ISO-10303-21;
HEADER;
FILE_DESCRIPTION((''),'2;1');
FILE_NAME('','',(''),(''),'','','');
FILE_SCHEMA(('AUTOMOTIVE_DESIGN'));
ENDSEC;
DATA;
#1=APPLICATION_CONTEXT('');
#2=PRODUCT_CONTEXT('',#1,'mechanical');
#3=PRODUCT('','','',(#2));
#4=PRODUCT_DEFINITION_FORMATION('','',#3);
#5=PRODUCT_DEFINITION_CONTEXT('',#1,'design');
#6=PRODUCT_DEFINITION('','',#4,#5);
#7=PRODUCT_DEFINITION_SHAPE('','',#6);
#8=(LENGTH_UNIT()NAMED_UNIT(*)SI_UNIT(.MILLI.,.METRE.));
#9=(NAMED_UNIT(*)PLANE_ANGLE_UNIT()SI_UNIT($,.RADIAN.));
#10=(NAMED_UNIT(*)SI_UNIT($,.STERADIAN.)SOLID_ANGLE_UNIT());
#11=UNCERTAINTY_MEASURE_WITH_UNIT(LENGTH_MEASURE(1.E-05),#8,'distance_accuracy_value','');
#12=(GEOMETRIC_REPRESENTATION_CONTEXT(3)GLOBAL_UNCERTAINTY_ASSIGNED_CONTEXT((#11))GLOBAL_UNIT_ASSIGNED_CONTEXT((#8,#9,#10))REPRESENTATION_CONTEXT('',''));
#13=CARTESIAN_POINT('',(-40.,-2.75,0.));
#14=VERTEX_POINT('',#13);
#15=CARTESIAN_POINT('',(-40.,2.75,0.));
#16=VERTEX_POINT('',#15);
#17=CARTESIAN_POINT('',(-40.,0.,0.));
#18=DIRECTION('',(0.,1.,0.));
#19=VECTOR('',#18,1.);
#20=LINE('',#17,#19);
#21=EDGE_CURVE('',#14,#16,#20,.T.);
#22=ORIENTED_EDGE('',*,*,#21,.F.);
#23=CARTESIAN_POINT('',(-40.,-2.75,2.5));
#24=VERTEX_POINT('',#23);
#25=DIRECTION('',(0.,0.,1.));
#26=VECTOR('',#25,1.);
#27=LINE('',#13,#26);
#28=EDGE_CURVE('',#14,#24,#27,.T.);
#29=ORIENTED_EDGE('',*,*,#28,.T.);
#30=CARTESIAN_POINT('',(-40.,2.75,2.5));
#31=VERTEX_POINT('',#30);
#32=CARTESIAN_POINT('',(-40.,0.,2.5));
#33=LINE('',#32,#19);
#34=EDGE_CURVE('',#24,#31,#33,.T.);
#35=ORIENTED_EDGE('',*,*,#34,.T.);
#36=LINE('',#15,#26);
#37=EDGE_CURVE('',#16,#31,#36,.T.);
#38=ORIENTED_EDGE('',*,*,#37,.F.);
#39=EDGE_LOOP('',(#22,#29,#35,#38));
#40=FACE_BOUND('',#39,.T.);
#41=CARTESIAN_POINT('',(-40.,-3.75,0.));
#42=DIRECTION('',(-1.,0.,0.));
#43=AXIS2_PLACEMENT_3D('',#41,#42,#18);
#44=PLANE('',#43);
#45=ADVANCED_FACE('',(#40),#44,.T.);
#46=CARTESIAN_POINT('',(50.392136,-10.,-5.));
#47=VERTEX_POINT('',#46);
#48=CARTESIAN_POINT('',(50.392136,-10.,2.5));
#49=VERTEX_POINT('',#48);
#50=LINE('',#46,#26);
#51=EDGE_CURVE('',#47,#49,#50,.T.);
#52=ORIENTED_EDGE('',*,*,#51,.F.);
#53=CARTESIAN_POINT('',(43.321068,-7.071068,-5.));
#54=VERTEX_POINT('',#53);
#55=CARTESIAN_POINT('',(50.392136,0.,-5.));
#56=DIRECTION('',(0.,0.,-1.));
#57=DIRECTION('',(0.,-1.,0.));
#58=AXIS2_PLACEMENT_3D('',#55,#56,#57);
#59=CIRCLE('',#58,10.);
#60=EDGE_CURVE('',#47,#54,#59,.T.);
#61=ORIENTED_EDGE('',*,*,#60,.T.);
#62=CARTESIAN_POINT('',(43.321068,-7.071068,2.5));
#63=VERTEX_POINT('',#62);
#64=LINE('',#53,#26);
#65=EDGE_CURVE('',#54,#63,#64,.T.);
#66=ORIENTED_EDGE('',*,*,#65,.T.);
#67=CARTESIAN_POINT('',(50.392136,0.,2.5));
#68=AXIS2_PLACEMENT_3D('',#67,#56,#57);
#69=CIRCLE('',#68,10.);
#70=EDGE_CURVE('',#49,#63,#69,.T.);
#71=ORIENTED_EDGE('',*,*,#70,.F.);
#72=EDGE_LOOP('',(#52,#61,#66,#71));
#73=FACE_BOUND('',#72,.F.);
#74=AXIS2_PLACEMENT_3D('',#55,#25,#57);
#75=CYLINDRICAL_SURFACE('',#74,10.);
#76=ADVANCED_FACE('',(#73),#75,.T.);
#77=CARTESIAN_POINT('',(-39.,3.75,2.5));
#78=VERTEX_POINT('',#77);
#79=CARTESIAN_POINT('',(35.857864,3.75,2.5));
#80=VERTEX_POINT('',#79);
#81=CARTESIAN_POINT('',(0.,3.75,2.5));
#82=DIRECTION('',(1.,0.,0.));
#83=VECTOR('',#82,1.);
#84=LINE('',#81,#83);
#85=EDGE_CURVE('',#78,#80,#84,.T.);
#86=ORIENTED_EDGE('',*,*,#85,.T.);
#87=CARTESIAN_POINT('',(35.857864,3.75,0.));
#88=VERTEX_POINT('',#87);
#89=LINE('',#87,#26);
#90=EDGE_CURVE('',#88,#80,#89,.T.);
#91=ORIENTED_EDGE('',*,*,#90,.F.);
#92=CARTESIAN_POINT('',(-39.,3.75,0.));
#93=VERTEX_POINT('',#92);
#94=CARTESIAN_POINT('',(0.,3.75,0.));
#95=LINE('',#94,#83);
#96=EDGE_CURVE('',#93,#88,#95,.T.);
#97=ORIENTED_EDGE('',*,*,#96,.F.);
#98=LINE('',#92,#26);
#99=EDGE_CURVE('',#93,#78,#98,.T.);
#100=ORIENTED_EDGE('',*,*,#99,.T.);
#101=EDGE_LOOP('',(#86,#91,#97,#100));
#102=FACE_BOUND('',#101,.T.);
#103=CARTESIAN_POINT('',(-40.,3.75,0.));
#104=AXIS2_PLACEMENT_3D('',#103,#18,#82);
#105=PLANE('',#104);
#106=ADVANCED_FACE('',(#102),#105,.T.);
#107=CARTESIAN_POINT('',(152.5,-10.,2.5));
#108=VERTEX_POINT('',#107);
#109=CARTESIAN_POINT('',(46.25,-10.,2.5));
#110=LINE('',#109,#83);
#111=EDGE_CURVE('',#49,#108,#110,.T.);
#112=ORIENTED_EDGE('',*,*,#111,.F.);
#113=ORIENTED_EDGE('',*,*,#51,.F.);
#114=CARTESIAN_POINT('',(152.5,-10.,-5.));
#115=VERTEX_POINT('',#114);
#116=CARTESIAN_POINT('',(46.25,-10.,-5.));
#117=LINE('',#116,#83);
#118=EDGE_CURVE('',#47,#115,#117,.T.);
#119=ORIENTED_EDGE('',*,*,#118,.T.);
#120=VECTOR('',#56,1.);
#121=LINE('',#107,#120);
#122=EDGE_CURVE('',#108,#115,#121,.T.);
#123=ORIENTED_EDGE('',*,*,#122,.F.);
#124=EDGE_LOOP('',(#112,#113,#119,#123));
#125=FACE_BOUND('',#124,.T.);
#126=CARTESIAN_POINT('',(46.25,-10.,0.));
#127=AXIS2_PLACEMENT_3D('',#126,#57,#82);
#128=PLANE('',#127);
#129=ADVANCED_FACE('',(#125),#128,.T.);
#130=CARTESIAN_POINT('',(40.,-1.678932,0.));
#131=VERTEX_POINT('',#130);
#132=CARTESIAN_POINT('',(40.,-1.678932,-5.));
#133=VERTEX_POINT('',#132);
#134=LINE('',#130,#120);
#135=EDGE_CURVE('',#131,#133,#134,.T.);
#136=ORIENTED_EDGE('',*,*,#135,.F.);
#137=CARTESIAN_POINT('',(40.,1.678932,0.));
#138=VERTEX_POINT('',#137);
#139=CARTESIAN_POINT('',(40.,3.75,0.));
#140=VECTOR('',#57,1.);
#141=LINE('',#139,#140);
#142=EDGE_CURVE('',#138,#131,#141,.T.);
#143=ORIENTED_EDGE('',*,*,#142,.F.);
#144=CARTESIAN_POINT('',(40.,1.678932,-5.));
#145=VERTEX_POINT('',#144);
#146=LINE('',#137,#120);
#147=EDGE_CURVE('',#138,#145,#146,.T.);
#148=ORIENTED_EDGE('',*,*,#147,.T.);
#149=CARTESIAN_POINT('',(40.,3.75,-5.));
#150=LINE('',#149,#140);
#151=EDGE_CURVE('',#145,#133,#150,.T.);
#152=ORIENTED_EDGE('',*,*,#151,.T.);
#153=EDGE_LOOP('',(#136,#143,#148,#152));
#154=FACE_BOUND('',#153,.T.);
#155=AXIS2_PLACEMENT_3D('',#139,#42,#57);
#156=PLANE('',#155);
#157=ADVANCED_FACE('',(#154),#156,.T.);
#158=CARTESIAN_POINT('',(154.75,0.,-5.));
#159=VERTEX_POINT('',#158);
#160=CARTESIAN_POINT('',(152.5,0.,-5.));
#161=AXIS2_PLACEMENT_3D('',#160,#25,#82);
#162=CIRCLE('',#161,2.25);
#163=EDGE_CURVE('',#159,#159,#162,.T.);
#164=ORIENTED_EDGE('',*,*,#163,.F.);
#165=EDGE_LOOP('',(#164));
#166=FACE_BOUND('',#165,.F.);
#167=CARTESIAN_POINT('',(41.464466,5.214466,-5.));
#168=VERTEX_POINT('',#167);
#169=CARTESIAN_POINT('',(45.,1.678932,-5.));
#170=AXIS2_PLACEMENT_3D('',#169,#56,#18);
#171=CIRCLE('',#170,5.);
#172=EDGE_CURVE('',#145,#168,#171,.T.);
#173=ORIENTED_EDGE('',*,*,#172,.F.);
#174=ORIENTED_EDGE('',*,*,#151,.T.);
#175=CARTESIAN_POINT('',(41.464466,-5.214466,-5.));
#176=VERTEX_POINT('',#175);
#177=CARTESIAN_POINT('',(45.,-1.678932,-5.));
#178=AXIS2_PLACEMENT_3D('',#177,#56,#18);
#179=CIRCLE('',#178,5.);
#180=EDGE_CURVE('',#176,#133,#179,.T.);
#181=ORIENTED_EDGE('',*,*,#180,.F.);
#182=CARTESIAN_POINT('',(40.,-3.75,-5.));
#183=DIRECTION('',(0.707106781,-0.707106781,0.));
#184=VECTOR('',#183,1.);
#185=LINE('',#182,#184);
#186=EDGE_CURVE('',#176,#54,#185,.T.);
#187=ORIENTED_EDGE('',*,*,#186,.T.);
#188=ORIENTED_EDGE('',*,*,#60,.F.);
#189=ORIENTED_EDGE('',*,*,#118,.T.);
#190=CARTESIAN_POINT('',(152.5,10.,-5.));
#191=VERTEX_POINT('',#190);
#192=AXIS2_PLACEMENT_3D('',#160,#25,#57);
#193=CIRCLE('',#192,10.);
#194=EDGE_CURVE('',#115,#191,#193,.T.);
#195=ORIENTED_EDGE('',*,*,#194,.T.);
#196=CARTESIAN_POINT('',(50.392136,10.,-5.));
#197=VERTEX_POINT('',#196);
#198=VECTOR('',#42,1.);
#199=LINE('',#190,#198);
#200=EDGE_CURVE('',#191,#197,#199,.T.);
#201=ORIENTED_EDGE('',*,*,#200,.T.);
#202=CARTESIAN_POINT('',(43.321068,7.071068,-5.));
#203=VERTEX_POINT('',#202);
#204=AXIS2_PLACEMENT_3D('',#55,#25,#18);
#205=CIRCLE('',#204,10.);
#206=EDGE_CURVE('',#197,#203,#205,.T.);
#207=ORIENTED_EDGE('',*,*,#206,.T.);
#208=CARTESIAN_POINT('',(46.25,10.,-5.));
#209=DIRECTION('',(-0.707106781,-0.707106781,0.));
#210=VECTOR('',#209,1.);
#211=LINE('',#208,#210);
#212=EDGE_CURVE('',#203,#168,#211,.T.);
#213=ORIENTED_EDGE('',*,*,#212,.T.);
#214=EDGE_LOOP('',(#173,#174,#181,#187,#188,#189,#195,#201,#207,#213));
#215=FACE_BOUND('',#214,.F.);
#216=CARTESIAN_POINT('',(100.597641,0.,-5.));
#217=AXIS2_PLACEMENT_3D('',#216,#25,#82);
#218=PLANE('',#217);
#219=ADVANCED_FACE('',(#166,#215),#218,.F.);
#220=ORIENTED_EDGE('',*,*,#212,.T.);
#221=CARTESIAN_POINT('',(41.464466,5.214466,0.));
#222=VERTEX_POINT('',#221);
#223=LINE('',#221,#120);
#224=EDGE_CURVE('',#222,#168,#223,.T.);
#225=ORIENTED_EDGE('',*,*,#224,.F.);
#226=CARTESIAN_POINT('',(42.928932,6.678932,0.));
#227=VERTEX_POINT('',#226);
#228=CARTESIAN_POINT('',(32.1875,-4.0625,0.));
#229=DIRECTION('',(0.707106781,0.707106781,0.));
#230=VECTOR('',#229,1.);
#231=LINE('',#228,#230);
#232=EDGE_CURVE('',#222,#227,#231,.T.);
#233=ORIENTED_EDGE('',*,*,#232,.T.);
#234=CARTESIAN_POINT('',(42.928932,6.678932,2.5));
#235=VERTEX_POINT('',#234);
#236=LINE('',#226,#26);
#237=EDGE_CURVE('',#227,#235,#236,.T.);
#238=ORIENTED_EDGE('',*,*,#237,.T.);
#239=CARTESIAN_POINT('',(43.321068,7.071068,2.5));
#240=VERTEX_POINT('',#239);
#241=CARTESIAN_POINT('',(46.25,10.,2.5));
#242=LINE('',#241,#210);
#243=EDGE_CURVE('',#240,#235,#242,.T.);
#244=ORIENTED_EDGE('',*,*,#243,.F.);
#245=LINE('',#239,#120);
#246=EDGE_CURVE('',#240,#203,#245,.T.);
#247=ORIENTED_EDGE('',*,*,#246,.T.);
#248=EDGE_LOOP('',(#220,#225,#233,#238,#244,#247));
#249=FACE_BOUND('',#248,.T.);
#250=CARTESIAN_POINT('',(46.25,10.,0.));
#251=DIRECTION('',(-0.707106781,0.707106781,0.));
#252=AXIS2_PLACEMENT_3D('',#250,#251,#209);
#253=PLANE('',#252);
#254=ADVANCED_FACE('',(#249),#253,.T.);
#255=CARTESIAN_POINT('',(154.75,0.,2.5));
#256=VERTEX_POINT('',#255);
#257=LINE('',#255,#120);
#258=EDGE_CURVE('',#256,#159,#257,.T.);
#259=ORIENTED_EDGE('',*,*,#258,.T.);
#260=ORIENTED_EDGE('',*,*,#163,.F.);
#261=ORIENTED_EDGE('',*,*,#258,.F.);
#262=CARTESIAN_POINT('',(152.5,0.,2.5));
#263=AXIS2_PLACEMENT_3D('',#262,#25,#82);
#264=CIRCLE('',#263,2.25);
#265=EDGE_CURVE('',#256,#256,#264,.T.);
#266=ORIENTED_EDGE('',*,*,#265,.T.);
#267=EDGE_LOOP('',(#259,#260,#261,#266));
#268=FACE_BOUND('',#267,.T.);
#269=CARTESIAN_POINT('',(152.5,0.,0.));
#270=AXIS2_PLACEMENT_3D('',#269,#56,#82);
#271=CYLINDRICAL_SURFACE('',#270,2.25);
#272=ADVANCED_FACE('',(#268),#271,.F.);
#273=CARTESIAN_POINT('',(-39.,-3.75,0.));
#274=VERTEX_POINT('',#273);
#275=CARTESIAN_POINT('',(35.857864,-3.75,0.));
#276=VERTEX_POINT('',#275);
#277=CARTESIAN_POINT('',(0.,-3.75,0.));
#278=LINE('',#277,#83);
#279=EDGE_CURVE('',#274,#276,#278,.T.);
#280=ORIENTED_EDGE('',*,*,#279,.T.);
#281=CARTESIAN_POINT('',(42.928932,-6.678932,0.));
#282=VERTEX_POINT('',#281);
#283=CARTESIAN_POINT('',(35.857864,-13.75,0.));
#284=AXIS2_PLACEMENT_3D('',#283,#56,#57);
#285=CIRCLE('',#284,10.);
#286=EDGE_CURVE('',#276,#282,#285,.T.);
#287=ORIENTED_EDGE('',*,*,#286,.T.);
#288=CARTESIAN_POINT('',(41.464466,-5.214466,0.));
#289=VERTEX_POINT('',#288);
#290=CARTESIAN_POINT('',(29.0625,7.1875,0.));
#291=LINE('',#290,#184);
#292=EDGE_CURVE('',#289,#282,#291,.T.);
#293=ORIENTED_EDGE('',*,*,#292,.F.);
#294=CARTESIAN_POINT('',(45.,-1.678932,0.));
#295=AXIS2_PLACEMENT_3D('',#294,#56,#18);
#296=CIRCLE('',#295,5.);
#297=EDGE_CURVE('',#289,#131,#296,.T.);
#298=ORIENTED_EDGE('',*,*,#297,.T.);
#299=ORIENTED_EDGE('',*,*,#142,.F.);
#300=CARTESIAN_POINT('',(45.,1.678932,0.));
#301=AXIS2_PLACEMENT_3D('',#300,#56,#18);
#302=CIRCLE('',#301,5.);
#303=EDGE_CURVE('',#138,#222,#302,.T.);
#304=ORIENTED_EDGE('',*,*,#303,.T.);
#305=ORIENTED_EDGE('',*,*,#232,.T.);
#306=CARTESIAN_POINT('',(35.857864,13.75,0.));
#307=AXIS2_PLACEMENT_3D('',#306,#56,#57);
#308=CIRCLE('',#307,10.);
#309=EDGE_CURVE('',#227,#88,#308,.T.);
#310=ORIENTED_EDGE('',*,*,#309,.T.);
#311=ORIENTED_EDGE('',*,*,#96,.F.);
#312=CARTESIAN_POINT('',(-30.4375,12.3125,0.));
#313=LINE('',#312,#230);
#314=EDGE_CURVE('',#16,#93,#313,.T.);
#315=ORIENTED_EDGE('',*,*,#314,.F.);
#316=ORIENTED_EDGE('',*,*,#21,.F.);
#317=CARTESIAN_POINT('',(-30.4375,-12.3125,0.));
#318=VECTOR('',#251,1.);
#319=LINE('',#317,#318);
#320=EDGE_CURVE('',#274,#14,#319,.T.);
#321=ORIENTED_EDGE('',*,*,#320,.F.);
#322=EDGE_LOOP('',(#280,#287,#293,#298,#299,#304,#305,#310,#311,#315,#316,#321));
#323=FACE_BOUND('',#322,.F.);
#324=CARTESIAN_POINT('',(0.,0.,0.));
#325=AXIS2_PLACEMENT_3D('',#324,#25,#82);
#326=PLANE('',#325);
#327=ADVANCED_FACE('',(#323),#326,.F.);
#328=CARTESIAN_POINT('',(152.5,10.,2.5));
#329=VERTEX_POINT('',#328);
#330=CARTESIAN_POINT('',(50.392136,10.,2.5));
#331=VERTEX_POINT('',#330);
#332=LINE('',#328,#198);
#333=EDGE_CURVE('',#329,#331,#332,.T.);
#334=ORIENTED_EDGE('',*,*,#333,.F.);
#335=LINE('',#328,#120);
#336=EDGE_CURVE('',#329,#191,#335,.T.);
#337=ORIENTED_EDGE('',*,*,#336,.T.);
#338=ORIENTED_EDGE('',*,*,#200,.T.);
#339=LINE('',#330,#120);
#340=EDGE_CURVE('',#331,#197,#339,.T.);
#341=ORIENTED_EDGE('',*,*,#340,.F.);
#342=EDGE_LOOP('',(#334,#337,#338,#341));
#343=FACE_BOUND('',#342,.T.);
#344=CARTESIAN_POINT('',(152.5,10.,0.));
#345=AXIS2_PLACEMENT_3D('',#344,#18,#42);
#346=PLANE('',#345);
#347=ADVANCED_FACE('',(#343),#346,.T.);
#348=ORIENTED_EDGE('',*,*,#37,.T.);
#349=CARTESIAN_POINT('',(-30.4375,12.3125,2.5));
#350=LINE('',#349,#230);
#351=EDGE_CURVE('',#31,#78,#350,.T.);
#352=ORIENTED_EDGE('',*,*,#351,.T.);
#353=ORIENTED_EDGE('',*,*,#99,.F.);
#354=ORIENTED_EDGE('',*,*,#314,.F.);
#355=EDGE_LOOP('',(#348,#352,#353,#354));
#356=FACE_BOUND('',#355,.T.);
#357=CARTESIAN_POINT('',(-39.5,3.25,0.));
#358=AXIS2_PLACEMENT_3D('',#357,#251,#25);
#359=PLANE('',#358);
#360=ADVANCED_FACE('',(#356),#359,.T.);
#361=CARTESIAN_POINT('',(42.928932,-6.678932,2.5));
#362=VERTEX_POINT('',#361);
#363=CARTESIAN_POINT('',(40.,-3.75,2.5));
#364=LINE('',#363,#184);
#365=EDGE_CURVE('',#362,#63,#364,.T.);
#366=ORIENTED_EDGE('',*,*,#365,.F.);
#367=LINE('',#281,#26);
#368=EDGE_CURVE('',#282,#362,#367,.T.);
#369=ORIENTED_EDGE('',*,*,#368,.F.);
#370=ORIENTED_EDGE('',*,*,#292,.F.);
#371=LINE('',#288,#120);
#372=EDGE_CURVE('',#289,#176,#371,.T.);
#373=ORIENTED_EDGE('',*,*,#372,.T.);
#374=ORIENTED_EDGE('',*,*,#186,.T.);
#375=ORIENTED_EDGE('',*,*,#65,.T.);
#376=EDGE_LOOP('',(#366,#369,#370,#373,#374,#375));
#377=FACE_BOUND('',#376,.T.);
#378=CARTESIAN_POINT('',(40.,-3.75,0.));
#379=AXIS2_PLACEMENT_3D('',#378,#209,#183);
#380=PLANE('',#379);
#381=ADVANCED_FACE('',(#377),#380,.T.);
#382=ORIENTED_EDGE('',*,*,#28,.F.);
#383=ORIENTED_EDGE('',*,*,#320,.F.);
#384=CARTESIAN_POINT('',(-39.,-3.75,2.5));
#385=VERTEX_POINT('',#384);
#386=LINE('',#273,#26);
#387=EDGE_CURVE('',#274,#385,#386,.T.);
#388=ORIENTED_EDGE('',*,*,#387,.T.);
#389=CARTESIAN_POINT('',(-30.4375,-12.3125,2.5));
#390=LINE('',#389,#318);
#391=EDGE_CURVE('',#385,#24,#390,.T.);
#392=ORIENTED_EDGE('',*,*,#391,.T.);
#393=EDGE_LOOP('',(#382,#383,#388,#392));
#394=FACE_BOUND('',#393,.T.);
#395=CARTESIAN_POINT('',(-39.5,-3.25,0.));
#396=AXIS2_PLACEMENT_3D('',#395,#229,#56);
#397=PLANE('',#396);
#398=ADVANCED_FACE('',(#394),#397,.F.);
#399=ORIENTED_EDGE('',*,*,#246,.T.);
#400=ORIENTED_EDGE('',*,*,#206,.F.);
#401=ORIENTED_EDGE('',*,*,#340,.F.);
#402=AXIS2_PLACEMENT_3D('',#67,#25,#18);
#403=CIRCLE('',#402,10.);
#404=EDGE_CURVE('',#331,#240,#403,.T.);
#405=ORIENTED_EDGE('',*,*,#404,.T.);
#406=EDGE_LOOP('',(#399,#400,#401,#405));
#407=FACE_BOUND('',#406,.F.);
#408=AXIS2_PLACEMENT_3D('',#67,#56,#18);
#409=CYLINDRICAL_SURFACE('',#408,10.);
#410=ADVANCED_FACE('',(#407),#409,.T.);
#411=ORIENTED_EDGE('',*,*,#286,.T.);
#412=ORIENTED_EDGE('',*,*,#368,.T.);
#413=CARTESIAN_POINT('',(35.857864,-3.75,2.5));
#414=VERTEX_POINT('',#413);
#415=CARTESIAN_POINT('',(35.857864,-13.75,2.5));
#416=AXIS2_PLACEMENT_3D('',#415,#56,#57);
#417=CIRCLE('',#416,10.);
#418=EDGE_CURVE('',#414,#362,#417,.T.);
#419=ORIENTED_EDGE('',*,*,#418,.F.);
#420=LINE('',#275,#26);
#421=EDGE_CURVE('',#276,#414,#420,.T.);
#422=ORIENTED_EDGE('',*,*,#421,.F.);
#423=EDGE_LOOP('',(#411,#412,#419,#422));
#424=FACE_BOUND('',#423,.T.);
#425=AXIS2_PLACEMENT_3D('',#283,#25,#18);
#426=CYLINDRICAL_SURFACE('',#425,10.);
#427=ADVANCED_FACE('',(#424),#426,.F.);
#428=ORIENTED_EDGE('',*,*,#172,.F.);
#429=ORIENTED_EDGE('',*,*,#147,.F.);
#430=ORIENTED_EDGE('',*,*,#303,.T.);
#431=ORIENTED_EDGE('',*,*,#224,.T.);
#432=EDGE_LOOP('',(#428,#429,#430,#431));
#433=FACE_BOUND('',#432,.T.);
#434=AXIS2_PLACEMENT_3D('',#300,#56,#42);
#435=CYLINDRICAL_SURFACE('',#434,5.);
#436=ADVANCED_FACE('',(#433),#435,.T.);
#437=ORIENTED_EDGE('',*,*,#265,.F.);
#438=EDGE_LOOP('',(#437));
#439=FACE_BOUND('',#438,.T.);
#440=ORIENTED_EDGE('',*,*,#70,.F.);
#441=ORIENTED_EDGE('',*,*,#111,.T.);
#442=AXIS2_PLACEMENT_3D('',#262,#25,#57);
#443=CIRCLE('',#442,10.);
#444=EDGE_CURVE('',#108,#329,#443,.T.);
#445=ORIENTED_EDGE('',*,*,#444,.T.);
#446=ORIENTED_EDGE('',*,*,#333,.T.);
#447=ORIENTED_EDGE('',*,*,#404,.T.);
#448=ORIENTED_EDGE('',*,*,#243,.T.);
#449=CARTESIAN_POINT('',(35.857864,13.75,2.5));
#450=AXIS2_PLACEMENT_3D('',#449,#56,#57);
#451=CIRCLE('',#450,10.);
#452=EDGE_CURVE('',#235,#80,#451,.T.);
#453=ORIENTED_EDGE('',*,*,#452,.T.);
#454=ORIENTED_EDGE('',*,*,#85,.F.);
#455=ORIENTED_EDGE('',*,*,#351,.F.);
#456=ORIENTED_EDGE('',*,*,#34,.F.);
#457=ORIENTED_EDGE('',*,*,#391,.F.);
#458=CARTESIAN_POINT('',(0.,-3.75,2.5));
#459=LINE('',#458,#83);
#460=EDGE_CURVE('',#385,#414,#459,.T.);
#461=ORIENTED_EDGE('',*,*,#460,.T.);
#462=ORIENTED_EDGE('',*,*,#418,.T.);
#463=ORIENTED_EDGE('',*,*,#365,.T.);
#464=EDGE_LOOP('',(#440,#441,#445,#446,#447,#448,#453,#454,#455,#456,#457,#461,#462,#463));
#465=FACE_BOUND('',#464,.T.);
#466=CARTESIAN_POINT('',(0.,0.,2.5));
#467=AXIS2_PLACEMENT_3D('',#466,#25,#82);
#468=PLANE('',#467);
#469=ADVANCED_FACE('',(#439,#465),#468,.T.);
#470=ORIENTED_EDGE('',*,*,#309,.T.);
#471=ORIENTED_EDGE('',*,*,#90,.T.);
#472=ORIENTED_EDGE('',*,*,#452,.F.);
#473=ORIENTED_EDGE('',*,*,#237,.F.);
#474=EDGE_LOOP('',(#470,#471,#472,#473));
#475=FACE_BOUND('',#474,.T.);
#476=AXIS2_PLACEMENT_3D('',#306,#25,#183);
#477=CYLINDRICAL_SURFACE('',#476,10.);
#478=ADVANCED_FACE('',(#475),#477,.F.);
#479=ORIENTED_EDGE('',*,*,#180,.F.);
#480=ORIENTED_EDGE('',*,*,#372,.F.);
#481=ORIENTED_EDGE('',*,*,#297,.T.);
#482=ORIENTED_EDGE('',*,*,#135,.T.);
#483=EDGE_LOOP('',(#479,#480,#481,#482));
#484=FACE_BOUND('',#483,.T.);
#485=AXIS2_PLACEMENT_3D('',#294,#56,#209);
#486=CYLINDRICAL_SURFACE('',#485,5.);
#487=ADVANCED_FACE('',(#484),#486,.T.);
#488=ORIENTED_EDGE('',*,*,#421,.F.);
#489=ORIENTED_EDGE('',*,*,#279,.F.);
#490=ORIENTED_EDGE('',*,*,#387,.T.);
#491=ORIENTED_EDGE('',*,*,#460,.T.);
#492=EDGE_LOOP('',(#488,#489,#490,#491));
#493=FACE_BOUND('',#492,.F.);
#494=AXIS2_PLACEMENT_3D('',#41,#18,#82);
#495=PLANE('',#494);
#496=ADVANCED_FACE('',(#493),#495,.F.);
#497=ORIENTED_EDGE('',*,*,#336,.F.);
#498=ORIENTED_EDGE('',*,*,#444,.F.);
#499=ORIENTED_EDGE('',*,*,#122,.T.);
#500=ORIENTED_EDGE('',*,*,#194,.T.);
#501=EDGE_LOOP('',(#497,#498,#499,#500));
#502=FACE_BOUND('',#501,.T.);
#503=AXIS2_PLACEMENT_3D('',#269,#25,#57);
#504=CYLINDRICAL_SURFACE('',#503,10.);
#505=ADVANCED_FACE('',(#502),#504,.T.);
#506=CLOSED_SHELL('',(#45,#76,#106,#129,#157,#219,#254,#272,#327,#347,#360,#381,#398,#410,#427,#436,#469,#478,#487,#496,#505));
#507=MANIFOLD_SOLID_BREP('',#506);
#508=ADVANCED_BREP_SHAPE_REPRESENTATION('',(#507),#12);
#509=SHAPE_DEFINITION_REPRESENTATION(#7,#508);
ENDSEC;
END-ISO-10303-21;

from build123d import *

# Parameters (mm, degrees)
F0_W     = 80
F0_H     = 7.5
F0_R     = 2.25
F1_DEPTH = 2.5
F2_DEPTH = 5
F3_SIZE  = 1
F4_R     = 10
F5_R     = 5


with BuildPart() as f1:
    # F0 (on Top) → F1 (new body)
    with BuildSketch(Plane.XY):
        Rectangle(F0_W, F0_H)
        with BuildLine():
            Line((46.25, 10), (40, 3.75))
            Line((40, 3.75), (40, -3.75))
            Line((40, -3.75), (46.25, -10))
            Line((46.25, -10), (152.5, -10))
            ThreePointArc((152.5, -10), (162.5, 0), (152.5, 10))
            Line((152.5, 10), (46.25, 10))
        make_face()
        with Locations((152.5, 0)):
            Circle(F0_R, mode=Mode.SUBTRACT)
    extrude(amount=F1_DEPTH)

    # F0 (on Top) → F2 (join)
    with BuildSketch(Plane.XY):
        with BuildLine():
            Line((46.25, 10), (40, 3.75))
            Line((40, 3.75), (40, -3.75))
            Line((40, -3.75), (46.25, -10))
            Line((46.25, -10), (152.5, -10))
            ThreePointArc((152.5, -10), (162.5, 0), (152.5, 10))
            Line((152.5, 10), (46.25, 10))
        make_face()
        with Locations((152.5, 0)):
            Circle(F0_R, mode=Mode.SUBTRACT)
    extrude(amount=-F2_DEPTH)

    # F3
    f3_edges = [f1.edges().sort_by_distance(p)[0] for p in [
        (-40, -3.75, 1.25),
        (-40, 3.75, 1.25),
    ]]
    chamfer(f3_edges, length=F3_SIZE)

    # F4
    f4_edges = [f1.edges().sort_by_distance(p)[0] for p in [
        (40, -3.75, 1.25),
        (46.25, -10, -1.25),
        (46.25, 10, -1.25),
        (40, 3.75, 1.25),
    ]]
    fillet(f4_edges, radius=F4_R)

    # F5
    f5_edges = [f1.edges().sort_by_distance(p)[0] for p in [
        (40, -3.75, -2.5),
        (40, 3.75, -2.5),
    ]]
    fillet(f5_edges, radius=F5_R)


solid = f1.part
